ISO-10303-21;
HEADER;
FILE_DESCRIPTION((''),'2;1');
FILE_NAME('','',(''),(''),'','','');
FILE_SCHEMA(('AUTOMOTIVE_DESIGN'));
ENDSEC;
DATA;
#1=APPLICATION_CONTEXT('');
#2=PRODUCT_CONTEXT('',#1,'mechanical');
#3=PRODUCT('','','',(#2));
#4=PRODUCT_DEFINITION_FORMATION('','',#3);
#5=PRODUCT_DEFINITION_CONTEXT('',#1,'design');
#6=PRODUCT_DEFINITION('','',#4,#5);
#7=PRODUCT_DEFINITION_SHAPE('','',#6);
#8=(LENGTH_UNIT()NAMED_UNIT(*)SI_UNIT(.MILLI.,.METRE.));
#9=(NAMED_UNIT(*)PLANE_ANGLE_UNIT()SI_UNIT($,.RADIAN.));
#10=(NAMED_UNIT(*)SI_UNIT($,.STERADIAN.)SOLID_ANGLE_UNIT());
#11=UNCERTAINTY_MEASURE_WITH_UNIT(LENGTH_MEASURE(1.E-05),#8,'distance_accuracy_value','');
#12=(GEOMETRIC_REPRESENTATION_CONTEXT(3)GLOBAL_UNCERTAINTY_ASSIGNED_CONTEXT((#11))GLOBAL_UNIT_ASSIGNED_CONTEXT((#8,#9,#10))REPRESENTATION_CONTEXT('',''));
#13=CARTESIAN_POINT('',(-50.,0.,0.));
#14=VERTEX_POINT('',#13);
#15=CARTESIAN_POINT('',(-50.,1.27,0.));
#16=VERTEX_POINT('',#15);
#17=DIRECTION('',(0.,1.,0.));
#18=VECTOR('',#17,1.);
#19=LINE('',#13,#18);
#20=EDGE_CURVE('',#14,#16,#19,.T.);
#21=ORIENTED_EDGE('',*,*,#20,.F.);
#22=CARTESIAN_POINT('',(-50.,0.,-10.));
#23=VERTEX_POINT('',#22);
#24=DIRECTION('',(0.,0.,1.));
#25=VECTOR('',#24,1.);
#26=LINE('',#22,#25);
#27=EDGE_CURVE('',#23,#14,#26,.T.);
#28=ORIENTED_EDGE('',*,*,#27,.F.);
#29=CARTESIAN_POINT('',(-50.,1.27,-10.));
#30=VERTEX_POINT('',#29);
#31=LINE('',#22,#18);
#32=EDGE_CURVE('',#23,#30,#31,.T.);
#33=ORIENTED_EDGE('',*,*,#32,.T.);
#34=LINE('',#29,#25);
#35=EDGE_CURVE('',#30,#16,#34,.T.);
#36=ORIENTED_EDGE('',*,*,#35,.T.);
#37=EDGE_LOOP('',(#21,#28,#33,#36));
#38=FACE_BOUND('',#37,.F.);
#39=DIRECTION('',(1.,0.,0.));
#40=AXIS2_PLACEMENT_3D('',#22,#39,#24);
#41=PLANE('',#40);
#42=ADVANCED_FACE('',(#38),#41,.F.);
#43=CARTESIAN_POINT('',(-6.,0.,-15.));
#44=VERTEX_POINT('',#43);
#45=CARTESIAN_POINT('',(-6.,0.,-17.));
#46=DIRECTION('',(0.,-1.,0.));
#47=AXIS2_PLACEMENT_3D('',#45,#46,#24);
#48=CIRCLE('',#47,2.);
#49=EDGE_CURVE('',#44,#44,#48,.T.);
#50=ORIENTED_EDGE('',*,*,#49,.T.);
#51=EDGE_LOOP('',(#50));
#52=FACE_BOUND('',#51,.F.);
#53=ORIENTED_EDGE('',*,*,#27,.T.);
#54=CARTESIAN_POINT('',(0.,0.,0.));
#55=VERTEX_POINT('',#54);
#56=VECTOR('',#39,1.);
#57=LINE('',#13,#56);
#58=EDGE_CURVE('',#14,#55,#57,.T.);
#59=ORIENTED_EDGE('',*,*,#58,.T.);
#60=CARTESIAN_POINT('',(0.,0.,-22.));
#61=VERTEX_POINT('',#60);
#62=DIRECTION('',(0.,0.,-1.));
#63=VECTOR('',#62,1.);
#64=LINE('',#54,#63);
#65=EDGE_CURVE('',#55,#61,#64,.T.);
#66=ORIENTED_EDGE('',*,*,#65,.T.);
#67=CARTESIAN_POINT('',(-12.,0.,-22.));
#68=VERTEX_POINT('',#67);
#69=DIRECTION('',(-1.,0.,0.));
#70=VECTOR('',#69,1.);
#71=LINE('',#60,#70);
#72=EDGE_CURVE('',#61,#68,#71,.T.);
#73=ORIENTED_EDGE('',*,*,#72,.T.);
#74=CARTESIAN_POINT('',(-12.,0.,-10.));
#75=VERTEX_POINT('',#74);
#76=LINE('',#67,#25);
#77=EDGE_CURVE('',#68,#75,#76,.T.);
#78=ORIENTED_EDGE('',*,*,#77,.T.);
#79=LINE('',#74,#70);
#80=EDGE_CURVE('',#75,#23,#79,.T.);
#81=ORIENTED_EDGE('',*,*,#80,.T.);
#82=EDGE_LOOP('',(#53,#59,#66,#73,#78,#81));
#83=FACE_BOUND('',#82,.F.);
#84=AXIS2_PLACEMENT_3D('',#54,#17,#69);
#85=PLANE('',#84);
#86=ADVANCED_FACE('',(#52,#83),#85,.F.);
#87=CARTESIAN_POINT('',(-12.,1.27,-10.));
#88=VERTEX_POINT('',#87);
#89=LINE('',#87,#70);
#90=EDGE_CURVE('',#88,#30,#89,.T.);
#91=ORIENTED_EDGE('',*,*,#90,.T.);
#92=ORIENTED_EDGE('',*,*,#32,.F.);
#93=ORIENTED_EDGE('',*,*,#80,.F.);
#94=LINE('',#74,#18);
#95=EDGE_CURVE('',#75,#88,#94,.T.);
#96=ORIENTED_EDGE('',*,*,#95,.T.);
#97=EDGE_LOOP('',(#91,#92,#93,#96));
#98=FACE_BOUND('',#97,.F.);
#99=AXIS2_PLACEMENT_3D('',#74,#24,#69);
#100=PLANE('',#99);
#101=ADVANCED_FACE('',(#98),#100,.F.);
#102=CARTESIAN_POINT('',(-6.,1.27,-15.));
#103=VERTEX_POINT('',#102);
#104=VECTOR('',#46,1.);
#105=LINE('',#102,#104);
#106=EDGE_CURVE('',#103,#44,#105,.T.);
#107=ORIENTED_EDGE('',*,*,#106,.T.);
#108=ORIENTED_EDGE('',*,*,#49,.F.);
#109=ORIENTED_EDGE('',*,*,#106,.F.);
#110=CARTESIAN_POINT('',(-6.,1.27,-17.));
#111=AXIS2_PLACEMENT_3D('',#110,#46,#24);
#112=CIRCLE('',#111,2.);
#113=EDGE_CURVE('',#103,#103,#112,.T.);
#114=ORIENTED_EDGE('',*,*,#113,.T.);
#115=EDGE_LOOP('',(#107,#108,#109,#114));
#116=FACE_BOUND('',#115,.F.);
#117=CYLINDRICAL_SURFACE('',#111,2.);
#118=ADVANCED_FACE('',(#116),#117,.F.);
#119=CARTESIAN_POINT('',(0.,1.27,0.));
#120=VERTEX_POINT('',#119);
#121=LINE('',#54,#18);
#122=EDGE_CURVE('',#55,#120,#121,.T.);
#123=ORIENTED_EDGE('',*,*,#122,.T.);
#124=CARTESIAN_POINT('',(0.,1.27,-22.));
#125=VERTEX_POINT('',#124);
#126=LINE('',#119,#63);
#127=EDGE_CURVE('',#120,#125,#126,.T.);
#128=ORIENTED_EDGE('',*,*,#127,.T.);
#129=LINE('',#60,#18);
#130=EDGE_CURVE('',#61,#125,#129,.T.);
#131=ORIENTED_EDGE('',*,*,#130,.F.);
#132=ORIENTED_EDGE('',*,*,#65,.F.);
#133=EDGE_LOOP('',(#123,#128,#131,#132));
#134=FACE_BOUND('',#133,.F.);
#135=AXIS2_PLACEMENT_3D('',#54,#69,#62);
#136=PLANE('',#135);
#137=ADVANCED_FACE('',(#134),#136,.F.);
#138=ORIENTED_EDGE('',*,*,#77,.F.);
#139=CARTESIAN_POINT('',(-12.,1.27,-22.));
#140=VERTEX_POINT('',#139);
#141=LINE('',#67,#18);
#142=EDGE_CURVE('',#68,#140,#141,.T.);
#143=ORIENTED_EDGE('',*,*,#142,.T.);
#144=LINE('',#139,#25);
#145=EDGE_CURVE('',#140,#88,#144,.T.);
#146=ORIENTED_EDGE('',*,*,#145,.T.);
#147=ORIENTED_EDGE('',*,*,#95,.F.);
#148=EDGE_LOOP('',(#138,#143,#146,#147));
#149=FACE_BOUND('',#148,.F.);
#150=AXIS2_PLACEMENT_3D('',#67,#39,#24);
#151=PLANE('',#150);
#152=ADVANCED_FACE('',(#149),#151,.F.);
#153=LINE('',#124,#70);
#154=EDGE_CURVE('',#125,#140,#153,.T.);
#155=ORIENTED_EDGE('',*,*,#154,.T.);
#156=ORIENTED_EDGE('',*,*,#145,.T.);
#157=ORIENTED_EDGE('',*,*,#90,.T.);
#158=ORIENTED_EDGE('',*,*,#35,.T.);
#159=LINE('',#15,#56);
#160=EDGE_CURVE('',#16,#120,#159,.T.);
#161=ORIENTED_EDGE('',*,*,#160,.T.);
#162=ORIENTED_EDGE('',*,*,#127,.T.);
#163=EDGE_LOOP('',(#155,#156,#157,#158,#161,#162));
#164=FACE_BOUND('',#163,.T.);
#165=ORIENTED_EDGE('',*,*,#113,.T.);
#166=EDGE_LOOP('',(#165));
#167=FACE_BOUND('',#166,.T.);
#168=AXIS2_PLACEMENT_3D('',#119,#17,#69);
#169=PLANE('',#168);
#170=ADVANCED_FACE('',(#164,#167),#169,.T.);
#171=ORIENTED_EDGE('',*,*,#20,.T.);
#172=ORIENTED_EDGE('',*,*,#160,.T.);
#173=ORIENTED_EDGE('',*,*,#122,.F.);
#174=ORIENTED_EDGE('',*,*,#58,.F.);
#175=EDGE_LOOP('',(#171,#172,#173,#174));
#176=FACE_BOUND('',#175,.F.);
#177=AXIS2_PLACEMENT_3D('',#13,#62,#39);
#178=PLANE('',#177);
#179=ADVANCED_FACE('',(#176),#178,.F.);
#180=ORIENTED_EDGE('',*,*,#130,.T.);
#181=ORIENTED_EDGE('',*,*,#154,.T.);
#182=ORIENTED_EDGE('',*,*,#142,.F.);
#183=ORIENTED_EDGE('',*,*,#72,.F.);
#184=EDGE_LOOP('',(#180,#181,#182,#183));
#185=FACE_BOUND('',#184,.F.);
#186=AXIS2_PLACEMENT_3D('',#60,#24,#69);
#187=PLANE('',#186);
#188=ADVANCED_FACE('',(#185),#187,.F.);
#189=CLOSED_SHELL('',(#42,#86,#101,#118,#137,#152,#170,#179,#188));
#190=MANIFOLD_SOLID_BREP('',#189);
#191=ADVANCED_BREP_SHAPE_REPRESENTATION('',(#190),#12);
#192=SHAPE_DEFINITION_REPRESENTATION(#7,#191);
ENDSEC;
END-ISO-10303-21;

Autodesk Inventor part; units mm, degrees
ref_plane "YZ Plane" through (0, 0, 0) normal (1, 0, 0) x (0, 1, 0)
ref_plane "XZ Plane" through (0, 0, 0) normal (0, 1, 0) x (-1, 0, 0)
ref_plane "XY Plane" through (0, 0, 0) normal (0, 0, 1) x (1, 0, 0)
sketch "Sketch1" plane through (0, 0, 0) normal (0, 1, 0) x (-1, 0, 0)
  line L0 (50, 0) -> (0, 0)
  line L1 (50, -10) -> (50, 0)
  line L2 (12, -10) -> (50, -10)
  line L3 (12, -22) -> (12, -10)
  line L4 (0, -22) -> (12, -22)
  line L5 (0, 0) -> (0, -22)
extrude "Extrusion1" add sketch "Sketch1" along normal blind 1.27
sketch "Sketch2" plane through (0, 1.27, 0) normal (0, 1, 0) x (1, 0, 0)
  point P0 (-6, 17)
hole "Hole1" at (-6, 1.27, -17) direction (0, -1, 0) diameter 4 depth 1.27
properties part number "Y-axis X-axis Flag" material "ABS Plastic"
